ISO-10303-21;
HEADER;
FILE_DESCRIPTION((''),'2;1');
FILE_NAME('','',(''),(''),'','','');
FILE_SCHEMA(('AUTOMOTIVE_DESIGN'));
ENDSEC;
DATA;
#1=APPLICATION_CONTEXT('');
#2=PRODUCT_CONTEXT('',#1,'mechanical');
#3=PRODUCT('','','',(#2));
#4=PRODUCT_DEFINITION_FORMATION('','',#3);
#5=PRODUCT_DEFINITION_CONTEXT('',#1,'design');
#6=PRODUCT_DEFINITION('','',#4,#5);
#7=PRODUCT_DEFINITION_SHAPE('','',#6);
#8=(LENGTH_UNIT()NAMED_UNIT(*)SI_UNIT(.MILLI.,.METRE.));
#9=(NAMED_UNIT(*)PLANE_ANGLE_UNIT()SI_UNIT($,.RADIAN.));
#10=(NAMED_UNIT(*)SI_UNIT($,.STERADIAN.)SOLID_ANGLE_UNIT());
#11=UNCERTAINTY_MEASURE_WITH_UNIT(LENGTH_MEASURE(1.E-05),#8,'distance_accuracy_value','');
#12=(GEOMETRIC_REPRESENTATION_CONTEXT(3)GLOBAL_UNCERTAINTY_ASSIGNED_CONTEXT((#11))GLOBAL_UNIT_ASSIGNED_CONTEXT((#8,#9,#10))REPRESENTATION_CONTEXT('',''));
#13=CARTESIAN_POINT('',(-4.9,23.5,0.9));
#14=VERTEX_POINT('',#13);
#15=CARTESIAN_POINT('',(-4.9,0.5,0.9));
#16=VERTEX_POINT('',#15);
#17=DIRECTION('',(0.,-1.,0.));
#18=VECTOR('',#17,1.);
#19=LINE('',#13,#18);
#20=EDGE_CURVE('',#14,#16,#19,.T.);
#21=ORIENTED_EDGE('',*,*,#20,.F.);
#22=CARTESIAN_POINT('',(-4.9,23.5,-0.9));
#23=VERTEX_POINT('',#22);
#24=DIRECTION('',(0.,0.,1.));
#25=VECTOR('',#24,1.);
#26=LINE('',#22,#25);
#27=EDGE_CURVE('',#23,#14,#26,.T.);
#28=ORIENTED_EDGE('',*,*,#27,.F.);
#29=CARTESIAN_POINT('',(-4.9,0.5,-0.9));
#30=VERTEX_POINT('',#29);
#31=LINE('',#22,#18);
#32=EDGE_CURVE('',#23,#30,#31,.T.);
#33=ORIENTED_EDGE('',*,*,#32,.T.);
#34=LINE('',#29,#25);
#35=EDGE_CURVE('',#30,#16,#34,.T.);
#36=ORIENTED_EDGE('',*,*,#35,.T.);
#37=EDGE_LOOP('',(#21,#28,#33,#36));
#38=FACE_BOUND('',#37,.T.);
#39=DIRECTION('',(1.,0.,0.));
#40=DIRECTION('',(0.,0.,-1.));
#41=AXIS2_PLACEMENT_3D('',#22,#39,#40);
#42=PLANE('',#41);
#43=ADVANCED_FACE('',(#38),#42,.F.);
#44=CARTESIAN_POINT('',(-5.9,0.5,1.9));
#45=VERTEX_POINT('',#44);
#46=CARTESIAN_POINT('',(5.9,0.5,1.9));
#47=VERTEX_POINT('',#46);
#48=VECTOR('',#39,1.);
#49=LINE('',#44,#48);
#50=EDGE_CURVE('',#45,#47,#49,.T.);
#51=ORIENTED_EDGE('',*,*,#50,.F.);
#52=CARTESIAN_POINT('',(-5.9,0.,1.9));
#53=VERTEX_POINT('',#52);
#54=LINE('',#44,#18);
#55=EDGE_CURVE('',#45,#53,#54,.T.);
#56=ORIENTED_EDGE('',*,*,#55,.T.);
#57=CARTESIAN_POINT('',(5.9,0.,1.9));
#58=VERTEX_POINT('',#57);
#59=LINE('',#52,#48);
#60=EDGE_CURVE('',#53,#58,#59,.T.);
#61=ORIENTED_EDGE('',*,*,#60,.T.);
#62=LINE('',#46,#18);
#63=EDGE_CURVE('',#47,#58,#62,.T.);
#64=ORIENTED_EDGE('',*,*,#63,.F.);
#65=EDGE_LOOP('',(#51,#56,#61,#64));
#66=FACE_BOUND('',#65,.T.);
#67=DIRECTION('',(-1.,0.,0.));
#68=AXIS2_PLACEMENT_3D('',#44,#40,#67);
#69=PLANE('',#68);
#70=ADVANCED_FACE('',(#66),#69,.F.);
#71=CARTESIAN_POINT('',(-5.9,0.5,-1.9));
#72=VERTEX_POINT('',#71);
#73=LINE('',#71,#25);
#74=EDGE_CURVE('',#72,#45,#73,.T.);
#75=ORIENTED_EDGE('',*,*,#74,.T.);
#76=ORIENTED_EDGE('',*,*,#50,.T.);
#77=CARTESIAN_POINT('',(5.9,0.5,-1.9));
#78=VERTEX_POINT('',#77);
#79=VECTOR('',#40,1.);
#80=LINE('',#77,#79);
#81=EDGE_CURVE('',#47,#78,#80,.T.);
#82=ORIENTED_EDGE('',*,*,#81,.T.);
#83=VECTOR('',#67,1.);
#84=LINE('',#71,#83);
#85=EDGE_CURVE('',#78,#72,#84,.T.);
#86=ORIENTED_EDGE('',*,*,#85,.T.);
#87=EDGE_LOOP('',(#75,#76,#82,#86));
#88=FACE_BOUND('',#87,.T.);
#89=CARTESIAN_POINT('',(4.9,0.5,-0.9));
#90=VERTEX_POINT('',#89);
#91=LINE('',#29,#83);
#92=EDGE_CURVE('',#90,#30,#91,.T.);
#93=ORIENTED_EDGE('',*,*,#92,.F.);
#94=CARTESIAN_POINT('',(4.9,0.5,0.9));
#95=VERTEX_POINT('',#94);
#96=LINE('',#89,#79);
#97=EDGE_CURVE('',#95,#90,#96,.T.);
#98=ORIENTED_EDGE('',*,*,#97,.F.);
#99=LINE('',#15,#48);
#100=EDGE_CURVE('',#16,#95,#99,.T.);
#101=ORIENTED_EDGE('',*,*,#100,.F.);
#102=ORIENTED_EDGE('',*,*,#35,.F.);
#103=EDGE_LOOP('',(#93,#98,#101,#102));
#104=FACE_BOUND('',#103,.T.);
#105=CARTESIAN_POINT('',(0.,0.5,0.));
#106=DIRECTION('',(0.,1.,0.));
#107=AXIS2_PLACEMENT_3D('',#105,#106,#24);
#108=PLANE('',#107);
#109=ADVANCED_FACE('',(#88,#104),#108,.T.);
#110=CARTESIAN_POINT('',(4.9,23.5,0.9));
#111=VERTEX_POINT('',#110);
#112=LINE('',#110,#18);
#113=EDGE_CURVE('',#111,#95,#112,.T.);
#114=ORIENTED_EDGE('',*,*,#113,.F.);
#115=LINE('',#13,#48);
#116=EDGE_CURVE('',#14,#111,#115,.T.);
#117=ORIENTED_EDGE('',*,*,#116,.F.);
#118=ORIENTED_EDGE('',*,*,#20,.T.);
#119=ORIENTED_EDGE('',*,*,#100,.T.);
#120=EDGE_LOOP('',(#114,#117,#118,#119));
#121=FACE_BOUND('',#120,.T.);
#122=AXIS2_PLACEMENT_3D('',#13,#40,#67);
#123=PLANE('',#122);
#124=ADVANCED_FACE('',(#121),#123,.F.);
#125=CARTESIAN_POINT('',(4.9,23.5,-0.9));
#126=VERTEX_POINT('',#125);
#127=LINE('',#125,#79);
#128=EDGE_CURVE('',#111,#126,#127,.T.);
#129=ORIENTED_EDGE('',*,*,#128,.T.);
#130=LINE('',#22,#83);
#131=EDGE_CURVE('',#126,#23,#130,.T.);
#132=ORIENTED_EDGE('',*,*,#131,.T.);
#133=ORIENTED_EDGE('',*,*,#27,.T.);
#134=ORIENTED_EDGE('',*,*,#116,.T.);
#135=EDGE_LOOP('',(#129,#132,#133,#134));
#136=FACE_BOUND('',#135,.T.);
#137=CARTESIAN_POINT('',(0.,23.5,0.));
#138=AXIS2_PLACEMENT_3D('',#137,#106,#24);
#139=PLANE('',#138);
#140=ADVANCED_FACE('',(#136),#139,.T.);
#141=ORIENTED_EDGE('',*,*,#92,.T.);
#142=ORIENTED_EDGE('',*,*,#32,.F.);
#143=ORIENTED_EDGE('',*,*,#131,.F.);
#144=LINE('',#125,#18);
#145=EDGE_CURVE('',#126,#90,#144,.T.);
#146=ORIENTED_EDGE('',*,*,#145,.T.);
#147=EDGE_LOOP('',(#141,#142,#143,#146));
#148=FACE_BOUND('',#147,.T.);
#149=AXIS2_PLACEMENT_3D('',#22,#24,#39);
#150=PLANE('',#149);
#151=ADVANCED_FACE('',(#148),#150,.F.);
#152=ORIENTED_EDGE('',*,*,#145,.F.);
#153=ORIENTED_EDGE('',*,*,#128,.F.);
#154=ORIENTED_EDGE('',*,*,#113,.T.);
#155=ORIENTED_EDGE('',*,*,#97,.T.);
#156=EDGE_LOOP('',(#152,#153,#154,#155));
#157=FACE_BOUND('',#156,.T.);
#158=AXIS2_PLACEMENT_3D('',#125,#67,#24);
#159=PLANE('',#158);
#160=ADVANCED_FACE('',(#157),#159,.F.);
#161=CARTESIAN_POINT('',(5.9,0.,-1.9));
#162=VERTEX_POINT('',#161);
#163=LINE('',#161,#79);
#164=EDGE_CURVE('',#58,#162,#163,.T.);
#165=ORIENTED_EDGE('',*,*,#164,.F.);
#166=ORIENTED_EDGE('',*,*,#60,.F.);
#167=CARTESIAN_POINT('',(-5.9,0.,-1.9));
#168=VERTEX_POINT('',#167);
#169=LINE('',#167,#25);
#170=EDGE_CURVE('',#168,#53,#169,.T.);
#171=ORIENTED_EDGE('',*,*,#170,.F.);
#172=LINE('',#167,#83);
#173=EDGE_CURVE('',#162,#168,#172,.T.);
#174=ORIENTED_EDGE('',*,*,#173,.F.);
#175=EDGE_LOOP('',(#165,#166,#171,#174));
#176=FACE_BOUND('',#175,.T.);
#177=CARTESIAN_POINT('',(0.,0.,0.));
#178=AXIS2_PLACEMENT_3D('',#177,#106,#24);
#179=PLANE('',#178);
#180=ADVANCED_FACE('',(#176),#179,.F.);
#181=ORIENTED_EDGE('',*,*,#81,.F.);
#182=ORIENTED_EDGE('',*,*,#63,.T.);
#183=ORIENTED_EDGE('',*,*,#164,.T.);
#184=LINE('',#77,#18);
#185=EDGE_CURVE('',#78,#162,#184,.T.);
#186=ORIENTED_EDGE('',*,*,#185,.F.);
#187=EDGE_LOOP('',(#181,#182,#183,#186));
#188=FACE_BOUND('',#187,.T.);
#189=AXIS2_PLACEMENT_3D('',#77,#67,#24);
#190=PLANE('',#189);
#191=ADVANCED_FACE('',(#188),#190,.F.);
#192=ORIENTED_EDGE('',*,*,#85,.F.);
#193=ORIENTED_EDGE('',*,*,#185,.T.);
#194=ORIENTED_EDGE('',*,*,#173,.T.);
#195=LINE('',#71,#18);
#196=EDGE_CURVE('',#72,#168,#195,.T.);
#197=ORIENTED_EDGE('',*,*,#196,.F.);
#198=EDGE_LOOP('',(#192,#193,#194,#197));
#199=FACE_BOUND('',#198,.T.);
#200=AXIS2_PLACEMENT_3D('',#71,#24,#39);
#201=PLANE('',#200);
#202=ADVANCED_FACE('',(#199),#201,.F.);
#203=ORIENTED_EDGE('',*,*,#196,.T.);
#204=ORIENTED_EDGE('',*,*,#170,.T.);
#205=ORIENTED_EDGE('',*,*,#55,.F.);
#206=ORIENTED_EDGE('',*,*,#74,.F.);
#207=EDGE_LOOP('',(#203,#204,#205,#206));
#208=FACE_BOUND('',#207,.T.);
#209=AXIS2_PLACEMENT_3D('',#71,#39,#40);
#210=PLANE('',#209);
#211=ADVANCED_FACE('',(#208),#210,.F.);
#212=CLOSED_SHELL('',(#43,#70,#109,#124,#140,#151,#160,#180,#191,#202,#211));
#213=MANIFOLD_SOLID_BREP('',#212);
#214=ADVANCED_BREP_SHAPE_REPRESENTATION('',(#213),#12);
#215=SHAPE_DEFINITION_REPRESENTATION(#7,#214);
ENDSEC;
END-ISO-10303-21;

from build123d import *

# Parameters (mm, degrees)
SKETCH1_W           = 11.8
SKETCH1_H           = 3.8
BOSS_EXTRUDE1_DEPTH = 0.5
SKETCH2_W           = 9.8
SKETCH2_H           = 1.8
BOSS_EXTRUDE2_DEPTH = 23


with BuildPart() as part:
    # Sketch1 → Boss-Extrude1 (new body)
    with BuildSketch(Plane(origin=(0, 0, 0), x_dir=(1, 0, 0), z_dir=(0, 1, 0))):
        Rectangle(SKETCH1_W, SKETCH1_H)
    extrude(amount=BOSS_EXTRUDE1_DEPTH)

    # Sketch2 → Boss-Extrude2 (add)
    with BuildSketch(Plane(origin=(0, 0.5, 0), x_dir=(1, 0, 0), z_dir=(0, 1, 0))):
        Rectangle(SKETCH2_W, SKETCH2_H)
    extrude(amount=BOSS_EXTRUDE2_DEPTH)


solid = part.part
